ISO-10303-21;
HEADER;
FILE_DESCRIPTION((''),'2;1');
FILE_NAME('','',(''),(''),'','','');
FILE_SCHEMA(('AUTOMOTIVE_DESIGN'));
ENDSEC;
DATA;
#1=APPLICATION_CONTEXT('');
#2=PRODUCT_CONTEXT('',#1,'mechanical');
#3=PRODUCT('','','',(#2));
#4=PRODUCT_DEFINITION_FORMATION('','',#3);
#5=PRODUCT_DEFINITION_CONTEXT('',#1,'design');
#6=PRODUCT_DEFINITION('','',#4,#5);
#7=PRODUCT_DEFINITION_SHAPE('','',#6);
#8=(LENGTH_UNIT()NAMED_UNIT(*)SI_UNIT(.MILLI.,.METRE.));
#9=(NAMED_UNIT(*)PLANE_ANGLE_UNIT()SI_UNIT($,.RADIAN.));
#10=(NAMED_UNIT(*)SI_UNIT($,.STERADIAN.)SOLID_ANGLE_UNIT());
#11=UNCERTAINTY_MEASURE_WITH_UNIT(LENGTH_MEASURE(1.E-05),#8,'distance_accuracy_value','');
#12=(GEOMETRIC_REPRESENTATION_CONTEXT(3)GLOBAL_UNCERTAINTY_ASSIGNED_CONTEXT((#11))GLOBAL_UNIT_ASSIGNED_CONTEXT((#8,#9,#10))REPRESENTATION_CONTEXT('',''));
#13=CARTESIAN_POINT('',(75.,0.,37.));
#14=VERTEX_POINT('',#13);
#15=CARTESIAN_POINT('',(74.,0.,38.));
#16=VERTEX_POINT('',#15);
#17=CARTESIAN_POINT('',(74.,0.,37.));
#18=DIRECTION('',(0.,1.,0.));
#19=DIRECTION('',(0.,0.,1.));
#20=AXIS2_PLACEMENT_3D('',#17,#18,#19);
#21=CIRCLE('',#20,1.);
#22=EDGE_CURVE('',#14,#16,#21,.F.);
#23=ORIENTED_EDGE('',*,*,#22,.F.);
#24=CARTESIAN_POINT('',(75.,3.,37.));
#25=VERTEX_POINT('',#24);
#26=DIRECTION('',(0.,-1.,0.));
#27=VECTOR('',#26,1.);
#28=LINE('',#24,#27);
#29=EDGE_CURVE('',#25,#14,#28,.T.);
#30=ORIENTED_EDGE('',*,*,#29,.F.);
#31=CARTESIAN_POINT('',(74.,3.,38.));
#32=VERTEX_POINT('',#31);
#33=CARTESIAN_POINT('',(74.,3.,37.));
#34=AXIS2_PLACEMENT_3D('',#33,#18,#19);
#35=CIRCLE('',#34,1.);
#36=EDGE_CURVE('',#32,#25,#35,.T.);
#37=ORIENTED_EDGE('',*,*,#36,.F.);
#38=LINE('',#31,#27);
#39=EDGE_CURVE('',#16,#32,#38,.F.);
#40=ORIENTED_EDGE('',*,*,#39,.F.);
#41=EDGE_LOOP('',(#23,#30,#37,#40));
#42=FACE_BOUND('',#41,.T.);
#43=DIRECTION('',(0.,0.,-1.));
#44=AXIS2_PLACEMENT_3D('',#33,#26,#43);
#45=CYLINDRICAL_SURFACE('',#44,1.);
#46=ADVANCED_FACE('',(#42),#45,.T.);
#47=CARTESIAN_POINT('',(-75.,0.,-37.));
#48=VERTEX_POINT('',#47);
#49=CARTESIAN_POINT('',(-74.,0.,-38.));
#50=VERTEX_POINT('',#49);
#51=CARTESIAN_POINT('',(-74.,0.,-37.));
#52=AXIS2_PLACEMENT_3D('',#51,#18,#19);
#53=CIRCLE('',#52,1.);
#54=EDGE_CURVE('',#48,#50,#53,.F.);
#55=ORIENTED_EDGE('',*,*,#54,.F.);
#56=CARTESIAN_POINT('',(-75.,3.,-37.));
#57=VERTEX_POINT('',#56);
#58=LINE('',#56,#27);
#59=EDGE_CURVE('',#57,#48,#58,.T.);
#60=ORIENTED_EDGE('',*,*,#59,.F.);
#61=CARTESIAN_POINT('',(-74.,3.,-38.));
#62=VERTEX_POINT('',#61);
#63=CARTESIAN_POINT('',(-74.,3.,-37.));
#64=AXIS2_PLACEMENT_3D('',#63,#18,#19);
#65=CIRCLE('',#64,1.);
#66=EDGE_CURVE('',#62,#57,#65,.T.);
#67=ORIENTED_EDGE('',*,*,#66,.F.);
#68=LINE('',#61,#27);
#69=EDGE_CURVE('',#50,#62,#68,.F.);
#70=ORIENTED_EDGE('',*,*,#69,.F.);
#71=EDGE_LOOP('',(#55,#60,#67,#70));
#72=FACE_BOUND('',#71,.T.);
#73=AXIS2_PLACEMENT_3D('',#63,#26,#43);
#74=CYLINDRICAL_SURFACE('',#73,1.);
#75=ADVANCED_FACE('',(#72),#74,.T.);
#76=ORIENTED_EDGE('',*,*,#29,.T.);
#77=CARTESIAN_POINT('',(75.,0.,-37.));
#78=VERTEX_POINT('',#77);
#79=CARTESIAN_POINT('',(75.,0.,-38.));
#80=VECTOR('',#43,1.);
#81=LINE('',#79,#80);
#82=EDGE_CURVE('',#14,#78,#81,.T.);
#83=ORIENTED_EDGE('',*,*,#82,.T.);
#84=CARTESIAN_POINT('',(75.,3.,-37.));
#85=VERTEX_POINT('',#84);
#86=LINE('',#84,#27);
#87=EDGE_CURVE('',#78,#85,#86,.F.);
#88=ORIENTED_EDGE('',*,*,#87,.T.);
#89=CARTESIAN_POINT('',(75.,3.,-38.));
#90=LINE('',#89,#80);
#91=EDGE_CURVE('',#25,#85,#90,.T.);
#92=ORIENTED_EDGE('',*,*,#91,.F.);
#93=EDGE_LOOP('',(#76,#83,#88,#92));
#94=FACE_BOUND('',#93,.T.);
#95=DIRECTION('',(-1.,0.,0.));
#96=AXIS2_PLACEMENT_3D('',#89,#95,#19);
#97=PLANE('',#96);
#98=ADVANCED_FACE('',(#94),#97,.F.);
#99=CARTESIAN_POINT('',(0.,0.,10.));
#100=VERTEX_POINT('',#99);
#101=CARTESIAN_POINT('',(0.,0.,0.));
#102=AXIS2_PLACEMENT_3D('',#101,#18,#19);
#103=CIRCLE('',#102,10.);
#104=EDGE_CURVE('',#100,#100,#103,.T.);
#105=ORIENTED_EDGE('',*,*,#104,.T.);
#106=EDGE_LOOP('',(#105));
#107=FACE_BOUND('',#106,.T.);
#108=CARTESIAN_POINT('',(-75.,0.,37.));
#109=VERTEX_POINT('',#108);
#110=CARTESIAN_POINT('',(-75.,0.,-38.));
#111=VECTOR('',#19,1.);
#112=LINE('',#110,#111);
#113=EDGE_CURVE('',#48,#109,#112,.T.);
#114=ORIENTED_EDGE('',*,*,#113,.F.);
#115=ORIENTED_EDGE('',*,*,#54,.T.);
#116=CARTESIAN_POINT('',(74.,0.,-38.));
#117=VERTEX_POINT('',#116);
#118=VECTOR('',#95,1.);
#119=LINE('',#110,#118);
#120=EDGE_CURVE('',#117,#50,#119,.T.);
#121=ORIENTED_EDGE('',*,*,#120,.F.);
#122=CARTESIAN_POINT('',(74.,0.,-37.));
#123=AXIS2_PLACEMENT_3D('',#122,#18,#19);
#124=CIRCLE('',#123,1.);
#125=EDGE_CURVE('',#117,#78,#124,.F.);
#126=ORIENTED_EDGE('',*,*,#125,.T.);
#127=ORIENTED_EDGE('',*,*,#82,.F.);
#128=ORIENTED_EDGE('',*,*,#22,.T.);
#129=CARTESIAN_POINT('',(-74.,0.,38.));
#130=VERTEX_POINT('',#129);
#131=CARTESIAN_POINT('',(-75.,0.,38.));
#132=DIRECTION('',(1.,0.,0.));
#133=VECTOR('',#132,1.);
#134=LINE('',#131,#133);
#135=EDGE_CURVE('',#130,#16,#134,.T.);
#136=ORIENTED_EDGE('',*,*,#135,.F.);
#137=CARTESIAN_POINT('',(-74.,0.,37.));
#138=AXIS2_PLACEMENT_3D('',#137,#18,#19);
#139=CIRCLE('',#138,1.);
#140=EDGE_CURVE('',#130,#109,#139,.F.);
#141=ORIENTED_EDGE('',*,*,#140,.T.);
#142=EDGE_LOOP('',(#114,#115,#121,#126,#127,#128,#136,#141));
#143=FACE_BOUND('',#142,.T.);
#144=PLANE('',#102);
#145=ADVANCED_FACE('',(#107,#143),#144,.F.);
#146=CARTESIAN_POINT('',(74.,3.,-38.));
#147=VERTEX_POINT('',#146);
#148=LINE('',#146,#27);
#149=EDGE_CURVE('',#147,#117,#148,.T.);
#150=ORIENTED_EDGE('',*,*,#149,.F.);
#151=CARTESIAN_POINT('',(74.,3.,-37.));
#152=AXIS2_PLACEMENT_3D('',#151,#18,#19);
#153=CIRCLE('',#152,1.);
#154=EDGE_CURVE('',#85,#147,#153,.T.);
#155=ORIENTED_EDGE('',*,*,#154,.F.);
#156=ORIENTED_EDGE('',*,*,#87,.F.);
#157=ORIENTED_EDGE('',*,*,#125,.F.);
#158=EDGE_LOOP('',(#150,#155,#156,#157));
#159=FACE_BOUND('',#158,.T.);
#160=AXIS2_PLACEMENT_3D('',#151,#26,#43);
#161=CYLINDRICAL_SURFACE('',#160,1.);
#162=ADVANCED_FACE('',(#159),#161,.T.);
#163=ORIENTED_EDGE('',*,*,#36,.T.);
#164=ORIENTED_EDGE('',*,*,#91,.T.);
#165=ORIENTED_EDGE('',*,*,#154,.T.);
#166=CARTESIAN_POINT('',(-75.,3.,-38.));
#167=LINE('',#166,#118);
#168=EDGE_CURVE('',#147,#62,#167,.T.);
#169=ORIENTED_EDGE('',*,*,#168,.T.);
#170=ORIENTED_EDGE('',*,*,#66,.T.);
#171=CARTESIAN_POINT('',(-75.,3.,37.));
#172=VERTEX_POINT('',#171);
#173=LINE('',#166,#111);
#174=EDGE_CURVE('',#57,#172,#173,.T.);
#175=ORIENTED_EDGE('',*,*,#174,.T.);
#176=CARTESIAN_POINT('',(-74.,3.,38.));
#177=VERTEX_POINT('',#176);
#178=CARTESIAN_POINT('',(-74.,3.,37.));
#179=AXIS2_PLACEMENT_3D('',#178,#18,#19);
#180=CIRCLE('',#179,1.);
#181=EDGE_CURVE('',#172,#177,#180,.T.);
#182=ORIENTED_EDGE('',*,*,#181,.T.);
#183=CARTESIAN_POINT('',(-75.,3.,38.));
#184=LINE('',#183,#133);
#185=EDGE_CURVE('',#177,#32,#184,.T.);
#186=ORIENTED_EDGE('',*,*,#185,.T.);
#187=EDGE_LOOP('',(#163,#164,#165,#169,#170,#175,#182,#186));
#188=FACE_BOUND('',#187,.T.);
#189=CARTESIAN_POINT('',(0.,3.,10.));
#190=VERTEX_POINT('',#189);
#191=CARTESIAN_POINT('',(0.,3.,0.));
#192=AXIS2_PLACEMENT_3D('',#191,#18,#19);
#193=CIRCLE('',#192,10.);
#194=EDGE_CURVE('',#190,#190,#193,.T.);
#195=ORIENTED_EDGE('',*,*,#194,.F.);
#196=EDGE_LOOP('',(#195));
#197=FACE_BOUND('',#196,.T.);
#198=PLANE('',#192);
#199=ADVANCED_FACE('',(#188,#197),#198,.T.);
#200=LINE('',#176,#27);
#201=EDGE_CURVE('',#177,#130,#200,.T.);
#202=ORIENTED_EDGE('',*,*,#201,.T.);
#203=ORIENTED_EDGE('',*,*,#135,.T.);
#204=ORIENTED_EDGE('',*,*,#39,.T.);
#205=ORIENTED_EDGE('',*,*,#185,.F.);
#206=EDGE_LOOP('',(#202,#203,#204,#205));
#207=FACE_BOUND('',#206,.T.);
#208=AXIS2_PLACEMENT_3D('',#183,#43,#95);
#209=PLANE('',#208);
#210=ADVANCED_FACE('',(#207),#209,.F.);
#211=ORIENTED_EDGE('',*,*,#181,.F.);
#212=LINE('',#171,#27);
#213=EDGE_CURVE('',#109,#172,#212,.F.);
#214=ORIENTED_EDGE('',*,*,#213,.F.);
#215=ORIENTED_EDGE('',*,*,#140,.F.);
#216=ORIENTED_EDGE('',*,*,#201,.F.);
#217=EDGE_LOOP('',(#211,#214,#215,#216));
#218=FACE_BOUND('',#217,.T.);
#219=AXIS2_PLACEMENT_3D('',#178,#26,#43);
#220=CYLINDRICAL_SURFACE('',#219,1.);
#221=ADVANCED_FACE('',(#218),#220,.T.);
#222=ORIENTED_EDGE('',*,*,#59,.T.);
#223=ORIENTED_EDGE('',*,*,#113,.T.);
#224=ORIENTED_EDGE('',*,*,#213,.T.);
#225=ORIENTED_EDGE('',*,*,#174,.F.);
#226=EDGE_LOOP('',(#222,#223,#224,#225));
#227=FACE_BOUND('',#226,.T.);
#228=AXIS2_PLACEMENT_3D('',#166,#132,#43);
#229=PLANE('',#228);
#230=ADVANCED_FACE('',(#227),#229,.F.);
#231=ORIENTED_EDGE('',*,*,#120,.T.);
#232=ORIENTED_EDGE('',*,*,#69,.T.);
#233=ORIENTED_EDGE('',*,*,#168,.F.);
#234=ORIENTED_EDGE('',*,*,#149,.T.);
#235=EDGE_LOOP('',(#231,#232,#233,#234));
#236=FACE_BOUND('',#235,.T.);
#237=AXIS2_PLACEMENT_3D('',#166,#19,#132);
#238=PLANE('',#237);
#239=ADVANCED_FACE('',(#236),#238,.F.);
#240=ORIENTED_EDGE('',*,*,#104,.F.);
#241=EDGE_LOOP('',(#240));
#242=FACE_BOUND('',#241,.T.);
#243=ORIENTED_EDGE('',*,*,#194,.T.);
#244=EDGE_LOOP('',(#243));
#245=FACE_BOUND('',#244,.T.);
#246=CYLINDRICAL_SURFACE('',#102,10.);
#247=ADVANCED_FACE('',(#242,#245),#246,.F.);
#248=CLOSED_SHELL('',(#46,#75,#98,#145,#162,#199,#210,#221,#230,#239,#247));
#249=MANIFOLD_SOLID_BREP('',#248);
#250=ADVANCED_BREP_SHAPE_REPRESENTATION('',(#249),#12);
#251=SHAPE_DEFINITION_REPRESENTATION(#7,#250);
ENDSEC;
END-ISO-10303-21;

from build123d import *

# Parameters (mm, degrees)
SKETCH1_W           = 150
SKETCH1_H           = 76
BOSS_EXTRUDE1_DEPTH = 3
FILLET1_R           = 1
SKETCH2_R           = 10
CUT_EXTRUDE1_DEPTH  = 85.130850465


with BuildPart() as part:
    # Sketch1 → Boss-Extrude1 (new body)
    with BuildSketch(Plane(origin=(0, 0, 0), x_dir=(1, 0, 0), z_dir=(0, 1, 0))):
        Rectangle(SKETCH1_W, SKETCH1_H)
    extrude(amount=BOSS_EXTRUDE1_DEPTH)

    # Fillet1
    fillet1_edges = [part.edges().sort_by_distance(p)[0] for p in [
        (75, 1.5, 38),
        (-75, 1.5, 38),
        (-75, 1.5, -38),
        (75, 1.5, -38),
    ]]
    fillet(fillet1_edges, radius=FILLET1_R)

    # Sketch2 → Cut-Extrude1 (cut, through all)
    with BuildSketch(Plane(origin=(0, 3, 0), x_dir=(1, 0, 0), z_dir=(0, 1, 0))):
        with Locations(Location((0, 0, 0), (0, 0, 270))):
            Circle(SKETCH2_R)
    extrude(amount=-CUT_EXTRUDE1_DEPTH, mode=Mode.SUBTRACT)


solid = part.part
